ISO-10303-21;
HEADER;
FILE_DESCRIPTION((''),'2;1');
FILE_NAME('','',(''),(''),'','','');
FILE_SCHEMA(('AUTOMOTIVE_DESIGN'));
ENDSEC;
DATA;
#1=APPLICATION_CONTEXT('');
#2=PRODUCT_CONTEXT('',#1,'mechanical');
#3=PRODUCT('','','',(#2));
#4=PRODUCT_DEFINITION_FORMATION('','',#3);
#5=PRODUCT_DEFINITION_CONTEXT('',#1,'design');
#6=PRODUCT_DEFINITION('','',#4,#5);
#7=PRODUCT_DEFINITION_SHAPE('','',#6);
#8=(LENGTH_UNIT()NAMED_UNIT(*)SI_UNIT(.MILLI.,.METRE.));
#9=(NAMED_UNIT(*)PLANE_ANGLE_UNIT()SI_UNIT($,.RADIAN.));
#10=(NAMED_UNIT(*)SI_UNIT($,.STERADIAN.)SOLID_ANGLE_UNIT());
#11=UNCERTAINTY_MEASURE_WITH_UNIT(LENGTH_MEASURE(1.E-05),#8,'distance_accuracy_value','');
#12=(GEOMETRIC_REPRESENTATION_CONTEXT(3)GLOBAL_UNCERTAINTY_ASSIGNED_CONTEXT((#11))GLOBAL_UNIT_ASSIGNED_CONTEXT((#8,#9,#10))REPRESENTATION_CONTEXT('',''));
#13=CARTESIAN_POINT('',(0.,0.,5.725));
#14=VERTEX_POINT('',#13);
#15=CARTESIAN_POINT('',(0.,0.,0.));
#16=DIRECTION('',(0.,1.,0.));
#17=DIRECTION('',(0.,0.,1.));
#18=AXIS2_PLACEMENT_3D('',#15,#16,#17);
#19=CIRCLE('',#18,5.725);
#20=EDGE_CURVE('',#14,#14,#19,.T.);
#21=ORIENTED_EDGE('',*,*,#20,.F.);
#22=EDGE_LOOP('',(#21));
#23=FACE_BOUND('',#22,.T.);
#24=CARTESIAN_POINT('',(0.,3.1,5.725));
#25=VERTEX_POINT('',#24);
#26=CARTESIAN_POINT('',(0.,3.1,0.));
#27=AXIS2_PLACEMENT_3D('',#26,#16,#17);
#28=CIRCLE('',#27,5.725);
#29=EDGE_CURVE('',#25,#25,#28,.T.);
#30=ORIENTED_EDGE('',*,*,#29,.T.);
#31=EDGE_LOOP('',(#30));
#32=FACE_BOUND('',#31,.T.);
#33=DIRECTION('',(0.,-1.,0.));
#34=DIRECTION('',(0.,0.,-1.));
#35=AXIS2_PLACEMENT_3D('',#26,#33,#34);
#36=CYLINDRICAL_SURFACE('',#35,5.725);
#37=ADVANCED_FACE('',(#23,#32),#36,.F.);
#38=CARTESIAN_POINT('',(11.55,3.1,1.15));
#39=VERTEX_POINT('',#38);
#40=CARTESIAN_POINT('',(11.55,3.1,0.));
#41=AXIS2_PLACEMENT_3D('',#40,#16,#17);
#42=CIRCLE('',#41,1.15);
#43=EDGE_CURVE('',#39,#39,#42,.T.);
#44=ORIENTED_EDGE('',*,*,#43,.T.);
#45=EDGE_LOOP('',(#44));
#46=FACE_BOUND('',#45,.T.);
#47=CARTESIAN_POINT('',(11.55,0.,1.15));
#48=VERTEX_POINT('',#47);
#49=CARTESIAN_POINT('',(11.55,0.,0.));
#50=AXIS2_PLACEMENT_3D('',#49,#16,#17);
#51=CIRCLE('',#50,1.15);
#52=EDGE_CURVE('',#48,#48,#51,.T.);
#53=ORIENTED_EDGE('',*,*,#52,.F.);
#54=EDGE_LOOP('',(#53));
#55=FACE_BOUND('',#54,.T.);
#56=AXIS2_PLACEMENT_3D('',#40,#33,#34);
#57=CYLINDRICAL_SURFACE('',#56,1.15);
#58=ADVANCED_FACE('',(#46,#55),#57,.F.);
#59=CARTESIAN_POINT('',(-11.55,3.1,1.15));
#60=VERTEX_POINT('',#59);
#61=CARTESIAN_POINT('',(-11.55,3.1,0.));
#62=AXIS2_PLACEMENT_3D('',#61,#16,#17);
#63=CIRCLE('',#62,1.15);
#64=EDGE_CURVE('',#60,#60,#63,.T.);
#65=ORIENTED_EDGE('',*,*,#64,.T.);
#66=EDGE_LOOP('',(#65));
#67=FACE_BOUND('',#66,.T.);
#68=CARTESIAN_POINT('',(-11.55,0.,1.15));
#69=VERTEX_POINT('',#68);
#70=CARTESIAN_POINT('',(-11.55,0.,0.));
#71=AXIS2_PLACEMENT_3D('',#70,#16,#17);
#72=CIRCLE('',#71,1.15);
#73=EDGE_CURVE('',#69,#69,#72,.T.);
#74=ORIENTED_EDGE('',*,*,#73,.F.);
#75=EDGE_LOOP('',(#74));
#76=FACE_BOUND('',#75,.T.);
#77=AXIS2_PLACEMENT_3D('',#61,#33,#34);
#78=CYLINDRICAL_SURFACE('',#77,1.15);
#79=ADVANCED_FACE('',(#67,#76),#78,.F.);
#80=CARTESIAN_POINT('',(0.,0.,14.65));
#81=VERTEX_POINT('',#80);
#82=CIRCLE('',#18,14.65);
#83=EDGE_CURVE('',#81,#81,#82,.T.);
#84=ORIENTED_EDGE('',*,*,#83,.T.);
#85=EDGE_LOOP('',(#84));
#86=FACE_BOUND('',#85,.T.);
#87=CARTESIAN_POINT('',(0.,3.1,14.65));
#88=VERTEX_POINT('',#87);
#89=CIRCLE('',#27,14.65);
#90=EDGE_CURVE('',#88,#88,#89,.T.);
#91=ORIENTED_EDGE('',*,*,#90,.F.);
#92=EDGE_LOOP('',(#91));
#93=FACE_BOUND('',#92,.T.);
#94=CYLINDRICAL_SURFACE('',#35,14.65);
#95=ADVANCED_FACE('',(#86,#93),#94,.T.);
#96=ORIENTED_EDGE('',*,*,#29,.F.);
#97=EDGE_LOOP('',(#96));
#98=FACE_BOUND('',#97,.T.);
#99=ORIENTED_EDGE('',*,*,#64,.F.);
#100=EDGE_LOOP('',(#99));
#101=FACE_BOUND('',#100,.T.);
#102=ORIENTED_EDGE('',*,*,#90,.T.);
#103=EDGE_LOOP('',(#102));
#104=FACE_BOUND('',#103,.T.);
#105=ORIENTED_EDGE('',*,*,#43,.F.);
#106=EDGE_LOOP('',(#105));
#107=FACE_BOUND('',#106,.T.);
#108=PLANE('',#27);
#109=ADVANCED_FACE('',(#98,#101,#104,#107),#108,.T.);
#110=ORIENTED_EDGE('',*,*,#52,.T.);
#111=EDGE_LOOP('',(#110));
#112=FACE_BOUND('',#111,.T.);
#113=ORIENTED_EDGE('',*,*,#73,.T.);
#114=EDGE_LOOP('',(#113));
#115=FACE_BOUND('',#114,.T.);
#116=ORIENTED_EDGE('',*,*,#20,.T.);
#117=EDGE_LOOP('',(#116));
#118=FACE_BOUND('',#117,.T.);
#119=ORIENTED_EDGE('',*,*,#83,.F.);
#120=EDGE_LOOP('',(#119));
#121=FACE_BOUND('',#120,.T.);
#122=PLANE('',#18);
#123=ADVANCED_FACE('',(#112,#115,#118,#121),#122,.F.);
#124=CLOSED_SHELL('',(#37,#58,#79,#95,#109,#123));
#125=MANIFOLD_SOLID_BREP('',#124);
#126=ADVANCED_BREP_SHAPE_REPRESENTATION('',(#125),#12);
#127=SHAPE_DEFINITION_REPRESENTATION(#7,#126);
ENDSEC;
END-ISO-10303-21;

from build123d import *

# Parameters (mm, degrees)
SKETCH1_R           = 14.65
SKETCH1_R_2         = 5.725
SKETCH1_R_3         = 1.15
BOSS_EXTRUDE1_DEPTH = 3.1


with BuildPart() as part:
    # Sketch1 → Boss-Extrude1 (new body)
    with BuildSketch(Plane(origin=(0, 0, 0), x_dir=(1, 0, 0), z_dir=(0, 1, 0))):
        Circle(SKETCH1_R)
        Circle(SKETCH1_R_2, mode=Mode.SUBTRACT)
        with Locations((11.55, 0)):
            Circle(SKETCH1_R_3, mode=Mode.SUBTRACT)
        with Locations((-11.55, 0)):
            Circle(SKETCH1_R_3, mode=Mode.SUBTRACT)
    extrude(amount=BOSS_EXTRUDE1_DEPTH)


solid = part.part
